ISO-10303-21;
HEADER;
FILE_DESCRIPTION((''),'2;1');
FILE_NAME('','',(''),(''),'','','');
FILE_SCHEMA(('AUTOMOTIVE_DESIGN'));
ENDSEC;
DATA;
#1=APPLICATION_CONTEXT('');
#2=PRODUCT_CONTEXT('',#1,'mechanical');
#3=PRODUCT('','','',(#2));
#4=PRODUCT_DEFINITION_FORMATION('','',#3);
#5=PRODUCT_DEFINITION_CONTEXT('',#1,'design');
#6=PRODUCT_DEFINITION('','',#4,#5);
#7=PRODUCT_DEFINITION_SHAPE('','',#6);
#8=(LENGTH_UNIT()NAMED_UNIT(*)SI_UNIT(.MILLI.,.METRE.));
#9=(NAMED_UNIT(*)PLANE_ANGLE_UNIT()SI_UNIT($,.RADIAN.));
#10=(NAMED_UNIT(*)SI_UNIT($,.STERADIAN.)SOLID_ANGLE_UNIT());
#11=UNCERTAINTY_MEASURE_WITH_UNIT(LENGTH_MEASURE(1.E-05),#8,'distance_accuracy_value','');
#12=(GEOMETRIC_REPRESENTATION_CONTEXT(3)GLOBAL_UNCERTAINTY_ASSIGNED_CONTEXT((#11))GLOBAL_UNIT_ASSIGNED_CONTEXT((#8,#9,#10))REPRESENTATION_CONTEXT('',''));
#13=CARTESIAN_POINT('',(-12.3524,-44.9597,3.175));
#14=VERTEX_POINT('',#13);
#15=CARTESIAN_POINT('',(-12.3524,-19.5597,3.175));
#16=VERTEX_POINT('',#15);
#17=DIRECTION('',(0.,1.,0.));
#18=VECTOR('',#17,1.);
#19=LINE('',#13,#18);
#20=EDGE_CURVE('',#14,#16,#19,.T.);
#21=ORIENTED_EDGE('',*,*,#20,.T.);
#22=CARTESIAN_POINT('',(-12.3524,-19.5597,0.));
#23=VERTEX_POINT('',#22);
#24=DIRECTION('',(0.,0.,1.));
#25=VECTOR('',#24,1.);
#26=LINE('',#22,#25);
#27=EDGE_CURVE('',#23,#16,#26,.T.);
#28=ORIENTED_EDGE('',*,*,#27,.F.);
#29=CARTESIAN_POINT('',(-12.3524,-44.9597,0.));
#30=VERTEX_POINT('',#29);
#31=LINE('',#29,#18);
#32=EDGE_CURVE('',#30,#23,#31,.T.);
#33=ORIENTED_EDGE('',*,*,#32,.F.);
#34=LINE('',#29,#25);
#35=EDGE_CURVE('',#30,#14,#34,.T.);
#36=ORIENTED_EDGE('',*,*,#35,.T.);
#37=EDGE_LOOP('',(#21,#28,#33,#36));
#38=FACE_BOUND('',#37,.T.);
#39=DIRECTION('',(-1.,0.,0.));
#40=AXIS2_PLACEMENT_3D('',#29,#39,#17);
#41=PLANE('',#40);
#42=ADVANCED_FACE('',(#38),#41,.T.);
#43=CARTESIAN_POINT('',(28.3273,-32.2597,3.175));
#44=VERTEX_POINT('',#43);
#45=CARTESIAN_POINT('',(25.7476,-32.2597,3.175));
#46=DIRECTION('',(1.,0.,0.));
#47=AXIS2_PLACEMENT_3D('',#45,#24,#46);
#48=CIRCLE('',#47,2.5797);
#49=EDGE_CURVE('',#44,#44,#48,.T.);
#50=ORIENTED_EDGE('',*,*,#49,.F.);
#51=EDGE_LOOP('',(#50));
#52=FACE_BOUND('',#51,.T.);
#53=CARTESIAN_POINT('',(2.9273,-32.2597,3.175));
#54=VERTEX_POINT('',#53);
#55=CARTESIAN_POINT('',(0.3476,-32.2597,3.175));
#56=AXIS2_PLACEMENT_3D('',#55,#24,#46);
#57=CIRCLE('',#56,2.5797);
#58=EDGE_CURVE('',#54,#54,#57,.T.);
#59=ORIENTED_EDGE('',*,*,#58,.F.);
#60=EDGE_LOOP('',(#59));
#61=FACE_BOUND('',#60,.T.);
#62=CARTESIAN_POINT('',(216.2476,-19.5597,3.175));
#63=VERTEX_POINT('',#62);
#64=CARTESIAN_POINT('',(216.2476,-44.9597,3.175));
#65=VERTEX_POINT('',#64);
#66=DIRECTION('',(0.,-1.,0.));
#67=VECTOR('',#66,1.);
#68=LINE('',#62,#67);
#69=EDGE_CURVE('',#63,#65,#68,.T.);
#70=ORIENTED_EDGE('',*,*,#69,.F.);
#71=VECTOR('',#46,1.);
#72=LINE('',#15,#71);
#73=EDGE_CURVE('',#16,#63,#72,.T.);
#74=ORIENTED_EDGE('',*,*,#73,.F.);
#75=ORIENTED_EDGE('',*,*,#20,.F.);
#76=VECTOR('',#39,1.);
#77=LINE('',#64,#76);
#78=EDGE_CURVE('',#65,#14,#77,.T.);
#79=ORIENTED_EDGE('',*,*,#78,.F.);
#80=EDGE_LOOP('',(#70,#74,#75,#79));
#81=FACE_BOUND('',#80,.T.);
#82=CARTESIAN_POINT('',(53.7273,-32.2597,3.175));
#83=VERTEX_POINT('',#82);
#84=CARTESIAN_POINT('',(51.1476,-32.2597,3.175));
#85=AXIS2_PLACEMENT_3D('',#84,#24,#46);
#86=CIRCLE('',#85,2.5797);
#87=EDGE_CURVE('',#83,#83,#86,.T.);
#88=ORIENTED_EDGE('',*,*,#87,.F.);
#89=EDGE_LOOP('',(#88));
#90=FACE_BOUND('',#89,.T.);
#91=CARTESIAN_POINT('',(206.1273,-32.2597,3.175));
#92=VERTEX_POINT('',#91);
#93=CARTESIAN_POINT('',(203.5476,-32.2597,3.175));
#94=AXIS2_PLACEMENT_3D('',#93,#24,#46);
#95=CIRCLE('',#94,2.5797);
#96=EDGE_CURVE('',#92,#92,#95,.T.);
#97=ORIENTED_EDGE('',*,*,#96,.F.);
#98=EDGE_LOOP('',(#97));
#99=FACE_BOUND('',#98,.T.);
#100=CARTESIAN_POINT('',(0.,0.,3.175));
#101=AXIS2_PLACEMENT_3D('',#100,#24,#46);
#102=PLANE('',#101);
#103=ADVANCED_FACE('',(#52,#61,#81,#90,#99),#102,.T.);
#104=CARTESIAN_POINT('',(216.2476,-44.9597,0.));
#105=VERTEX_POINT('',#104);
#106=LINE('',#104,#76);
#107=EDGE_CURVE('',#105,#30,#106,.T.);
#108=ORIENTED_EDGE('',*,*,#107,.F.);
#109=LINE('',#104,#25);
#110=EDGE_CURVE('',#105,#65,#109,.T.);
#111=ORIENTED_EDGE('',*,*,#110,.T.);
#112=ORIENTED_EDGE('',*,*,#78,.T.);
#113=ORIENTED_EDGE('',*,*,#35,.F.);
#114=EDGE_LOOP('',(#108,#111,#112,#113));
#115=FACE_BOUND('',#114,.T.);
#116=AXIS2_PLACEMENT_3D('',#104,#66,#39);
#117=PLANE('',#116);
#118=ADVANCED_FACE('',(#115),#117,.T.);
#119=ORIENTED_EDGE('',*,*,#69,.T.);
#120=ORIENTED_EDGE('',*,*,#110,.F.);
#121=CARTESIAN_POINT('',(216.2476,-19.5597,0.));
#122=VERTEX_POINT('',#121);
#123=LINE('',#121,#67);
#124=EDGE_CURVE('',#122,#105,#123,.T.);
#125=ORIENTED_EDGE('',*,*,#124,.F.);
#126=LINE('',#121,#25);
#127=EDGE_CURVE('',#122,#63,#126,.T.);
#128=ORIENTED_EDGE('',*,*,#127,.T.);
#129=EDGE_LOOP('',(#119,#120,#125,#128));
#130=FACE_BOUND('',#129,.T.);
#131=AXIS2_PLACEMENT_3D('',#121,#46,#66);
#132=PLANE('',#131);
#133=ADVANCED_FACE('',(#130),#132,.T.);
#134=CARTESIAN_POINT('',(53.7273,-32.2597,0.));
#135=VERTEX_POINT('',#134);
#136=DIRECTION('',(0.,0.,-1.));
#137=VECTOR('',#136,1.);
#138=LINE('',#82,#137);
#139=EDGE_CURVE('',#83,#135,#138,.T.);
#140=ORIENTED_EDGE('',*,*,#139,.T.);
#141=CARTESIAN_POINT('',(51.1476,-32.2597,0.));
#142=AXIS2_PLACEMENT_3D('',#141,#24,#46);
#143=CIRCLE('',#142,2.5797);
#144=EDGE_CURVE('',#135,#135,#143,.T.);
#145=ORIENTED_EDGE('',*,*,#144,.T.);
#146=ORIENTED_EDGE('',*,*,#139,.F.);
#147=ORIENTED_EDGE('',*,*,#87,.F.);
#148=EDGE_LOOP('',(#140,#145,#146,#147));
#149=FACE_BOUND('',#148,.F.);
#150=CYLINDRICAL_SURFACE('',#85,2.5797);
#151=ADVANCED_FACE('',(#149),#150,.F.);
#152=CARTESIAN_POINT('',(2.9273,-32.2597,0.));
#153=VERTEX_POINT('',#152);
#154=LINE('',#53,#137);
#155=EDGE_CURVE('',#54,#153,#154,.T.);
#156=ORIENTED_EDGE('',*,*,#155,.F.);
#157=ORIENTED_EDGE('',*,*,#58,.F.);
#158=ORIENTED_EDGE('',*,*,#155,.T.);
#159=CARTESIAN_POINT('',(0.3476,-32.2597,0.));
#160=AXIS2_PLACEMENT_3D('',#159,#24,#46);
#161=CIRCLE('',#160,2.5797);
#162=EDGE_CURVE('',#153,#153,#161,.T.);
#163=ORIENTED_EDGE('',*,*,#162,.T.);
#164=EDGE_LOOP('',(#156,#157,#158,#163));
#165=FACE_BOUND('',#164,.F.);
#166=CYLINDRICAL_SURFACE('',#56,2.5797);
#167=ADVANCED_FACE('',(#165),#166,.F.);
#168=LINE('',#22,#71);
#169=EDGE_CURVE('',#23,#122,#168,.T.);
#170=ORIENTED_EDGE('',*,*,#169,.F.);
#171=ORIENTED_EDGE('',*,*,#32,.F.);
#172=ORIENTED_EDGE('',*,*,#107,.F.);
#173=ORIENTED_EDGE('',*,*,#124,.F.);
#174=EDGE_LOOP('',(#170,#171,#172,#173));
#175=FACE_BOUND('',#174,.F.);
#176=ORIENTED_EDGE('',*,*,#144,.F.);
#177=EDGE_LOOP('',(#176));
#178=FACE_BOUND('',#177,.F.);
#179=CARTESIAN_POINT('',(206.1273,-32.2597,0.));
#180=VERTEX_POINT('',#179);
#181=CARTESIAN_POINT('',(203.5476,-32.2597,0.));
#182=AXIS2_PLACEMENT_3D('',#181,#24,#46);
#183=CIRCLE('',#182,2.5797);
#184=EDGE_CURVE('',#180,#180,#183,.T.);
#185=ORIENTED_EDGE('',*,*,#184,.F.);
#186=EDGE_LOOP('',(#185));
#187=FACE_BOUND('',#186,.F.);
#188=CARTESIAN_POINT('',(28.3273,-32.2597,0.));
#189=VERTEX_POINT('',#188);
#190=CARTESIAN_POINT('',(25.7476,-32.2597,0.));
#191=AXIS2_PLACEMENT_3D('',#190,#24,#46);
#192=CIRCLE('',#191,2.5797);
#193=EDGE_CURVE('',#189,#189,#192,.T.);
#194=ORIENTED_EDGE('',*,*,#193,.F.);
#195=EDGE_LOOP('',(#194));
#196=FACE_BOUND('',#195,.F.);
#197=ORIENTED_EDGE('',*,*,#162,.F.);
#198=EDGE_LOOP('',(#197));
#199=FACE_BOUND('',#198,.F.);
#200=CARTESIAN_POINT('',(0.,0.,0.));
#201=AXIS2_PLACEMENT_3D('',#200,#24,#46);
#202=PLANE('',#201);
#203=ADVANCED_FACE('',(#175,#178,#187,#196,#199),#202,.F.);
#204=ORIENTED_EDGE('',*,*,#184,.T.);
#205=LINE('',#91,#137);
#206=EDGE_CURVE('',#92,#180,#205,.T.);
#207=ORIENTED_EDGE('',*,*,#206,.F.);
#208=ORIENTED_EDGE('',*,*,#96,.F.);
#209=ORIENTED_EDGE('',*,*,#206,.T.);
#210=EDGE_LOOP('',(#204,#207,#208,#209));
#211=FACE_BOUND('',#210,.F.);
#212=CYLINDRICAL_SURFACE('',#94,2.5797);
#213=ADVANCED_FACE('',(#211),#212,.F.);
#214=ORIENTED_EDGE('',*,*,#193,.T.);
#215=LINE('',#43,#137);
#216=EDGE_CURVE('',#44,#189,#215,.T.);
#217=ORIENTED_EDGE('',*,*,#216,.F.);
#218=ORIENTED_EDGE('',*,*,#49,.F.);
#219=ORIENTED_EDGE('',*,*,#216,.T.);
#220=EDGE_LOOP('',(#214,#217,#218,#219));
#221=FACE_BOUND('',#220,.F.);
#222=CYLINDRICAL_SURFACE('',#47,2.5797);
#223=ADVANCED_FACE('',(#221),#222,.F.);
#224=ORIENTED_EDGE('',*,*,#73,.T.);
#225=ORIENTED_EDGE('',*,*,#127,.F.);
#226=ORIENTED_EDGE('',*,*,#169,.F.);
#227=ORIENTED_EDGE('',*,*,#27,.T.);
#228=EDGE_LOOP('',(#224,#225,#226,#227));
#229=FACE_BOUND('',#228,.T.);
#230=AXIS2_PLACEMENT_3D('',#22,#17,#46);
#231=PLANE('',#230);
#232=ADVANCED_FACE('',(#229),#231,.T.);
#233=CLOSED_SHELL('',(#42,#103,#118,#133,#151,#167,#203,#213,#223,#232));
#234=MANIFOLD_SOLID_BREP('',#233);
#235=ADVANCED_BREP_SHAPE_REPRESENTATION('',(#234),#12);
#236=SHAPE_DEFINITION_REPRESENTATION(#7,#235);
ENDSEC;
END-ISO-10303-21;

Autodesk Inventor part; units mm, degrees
ref_plane "YZ Plane" through (0, 0, 0) normal (1, 0, 0) x (0, 1, 0)
ref_plane "XZ Plane" through (0, 0, 0) normal (0, 1, 0) x (-1, 0, 0)
ref_plane "XY Plane" through (0, 0, 0) normal (0, 0, 1) x (1, 0, 0)
sketch "Sketch1" plane through (0, 0, 0) normal (0, 0, 1) x (1, 0, 0)
  line L0 (-12.3524, -19.5597) -> (216.2476, -19.5597)
  line L1 (216.2476, -19.5597) -> (216.2476, -44.9597)
  line L2 (216.2476, -44.9597) -> (-12.3524, -44.9597)
  line L3 (-12.3524, -44.9597) -> (-12.3524, -19.5597)
  point P0 (0, 0)
  dimension "d0" = 228.6
  dimension "d1" = 25.4
extrude "Extrusion1" add sketch "Sketch1" along normal blind 3.175
sketch "Sketch2" plane through (0, 0, 3.175) normal (0, 0, 1) x (1, 0, 0)
  line L0 (216.2476, -44.9597) -> (216.2476, -19.5597) construction
  line L1 (216.2476, -32.2597) -> (203.5476, -32.2597) construction
  circle A0 centre (203.5476, -32.2597) radius 2.5797
  line L2 (203.5476, -32.2597) -> (51.1476, -32.2597) construction
  circle A1 centre (51.1476, -32.2597) radius 2.5797
  line L3 (51.1476, -32.2597) -> (25.7476, -32.2597) construction
  circle A2 centre (25.7476, -32.2597) radius 2.5797
  line L4 (25.7476, -32.2597) -> (0.3476, -32.2597) construction
  circle A3 centre (0.3476, -32.2597) radius 2.5797
  point P0 (0, 0)
  dimension "d4" = 12.7
  dimension "d5" = 5.1594
  dimension "d6" = 152.4
  dimension "d7" = 5.1594
  dimension "d8" = 25.4
  dimension "d9" = 5.1594
  dimension "d10" = 25.4
  dimension "d11" = 5.1594
extrude "Extrusion2" cut sketch "Sketch2" against normal blind 12.7
properties part number "Gearbox Mounting Gusset"
